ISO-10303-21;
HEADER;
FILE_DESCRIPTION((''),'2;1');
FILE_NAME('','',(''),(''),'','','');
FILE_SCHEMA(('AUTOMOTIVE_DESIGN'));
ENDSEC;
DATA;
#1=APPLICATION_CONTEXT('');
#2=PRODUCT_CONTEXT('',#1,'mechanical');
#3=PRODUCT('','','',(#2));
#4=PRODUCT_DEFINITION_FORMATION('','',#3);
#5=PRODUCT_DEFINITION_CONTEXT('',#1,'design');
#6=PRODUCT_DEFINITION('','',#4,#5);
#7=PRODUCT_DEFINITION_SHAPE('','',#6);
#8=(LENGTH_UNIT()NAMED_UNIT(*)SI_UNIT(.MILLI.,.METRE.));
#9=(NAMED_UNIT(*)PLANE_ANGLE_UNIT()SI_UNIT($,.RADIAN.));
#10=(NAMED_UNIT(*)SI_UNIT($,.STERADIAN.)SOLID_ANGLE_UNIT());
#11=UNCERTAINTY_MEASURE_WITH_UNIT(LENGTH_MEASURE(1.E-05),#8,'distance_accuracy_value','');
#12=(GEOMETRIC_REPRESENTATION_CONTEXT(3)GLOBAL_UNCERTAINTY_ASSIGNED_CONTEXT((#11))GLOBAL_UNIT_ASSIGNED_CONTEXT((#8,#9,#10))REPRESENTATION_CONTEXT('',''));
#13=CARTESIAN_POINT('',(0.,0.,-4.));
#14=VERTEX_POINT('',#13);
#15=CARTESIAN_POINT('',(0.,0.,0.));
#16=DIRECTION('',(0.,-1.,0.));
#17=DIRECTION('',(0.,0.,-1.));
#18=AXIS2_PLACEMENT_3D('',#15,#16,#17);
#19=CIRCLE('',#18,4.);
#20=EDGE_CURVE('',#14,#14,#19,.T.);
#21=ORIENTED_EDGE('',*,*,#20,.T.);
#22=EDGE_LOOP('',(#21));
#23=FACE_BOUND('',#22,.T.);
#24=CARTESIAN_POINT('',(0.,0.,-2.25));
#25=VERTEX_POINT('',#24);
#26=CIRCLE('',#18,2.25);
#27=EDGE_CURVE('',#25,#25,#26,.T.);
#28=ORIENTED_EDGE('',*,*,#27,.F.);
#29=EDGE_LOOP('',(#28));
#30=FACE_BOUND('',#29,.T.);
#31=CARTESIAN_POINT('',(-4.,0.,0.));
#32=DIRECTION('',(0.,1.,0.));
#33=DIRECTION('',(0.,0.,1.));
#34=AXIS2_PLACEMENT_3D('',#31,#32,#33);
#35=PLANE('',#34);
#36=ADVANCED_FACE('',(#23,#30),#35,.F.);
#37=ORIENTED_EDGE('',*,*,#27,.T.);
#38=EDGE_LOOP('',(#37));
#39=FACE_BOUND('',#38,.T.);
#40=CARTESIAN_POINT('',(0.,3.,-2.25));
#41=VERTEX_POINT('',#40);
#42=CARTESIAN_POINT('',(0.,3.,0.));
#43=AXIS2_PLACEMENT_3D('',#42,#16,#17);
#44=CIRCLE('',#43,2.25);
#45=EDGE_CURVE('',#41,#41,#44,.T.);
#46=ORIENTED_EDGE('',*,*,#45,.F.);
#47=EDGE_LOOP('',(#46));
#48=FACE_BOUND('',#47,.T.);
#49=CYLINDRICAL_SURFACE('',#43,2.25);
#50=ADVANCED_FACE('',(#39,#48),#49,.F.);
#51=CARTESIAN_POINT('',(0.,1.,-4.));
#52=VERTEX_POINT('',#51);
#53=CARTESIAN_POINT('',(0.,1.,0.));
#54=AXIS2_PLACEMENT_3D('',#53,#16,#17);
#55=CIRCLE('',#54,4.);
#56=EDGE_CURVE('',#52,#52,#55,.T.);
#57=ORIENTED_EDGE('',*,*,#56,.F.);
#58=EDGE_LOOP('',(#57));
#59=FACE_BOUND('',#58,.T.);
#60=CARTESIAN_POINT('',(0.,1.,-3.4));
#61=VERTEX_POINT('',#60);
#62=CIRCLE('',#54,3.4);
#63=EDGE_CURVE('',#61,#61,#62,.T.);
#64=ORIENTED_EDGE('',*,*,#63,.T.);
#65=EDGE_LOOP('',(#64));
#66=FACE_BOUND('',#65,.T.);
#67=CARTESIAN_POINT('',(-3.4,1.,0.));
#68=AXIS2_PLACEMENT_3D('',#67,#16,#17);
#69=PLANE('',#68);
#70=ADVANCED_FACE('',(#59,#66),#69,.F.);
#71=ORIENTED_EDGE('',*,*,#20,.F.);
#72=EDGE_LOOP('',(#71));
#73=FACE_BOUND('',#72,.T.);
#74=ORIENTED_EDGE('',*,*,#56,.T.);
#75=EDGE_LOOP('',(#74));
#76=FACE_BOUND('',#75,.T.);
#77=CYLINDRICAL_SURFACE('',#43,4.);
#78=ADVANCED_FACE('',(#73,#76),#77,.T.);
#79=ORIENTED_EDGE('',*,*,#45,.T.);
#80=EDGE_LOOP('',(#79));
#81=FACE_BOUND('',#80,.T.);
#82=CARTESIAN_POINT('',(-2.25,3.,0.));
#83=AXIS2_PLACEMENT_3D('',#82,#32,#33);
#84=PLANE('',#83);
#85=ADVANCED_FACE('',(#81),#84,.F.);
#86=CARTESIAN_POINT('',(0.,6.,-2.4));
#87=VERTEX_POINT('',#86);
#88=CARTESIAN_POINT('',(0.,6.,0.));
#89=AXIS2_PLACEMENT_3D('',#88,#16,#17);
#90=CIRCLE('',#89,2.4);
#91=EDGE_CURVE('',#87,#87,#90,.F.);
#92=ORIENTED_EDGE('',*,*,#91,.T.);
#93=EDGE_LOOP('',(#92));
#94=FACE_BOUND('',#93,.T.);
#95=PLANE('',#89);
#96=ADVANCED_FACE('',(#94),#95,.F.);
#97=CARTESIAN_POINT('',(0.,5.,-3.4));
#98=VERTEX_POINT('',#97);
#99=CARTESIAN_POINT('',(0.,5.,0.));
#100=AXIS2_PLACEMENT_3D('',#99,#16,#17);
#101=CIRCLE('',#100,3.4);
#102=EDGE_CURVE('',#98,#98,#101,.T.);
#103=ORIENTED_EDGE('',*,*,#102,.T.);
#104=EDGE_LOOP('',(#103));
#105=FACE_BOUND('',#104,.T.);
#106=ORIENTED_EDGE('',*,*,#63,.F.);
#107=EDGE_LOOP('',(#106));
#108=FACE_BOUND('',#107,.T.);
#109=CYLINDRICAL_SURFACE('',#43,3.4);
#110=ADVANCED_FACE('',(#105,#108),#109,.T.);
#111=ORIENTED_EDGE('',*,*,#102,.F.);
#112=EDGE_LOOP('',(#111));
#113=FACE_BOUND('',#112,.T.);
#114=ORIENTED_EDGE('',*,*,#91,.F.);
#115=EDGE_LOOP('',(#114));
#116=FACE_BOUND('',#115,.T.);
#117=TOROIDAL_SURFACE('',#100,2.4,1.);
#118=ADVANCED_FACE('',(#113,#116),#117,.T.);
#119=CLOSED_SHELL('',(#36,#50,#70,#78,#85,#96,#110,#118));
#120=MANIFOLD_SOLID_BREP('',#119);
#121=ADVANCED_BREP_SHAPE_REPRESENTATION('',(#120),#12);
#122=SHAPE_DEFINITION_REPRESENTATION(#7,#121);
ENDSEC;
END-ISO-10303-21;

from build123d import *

# Parameters (mm, degrees)
FILLET1_R = 1


with BuildPart() as part:
    # Sketch1 → Revolve1 (revolve)
    with BuildSketch(Plane.XY):
        Polygon((0, 6), (-3.4, 6), (-3.4, 1), (-4, 1), (-4, 0), (-2.25, 0), (-2.25, 3), (0, 3), align=None)
    revolve(axis=Axis((0, 3, 0), (0, 1, 0)))

    # Fillet1
    fillet1_edges = [part.edges().sort_by_distance(p)[0] for p in [
        (3.4, 6, 0),
    ]]
    fillet(fillet1_edges, radius=FILLET1_R)


solid = part.part
